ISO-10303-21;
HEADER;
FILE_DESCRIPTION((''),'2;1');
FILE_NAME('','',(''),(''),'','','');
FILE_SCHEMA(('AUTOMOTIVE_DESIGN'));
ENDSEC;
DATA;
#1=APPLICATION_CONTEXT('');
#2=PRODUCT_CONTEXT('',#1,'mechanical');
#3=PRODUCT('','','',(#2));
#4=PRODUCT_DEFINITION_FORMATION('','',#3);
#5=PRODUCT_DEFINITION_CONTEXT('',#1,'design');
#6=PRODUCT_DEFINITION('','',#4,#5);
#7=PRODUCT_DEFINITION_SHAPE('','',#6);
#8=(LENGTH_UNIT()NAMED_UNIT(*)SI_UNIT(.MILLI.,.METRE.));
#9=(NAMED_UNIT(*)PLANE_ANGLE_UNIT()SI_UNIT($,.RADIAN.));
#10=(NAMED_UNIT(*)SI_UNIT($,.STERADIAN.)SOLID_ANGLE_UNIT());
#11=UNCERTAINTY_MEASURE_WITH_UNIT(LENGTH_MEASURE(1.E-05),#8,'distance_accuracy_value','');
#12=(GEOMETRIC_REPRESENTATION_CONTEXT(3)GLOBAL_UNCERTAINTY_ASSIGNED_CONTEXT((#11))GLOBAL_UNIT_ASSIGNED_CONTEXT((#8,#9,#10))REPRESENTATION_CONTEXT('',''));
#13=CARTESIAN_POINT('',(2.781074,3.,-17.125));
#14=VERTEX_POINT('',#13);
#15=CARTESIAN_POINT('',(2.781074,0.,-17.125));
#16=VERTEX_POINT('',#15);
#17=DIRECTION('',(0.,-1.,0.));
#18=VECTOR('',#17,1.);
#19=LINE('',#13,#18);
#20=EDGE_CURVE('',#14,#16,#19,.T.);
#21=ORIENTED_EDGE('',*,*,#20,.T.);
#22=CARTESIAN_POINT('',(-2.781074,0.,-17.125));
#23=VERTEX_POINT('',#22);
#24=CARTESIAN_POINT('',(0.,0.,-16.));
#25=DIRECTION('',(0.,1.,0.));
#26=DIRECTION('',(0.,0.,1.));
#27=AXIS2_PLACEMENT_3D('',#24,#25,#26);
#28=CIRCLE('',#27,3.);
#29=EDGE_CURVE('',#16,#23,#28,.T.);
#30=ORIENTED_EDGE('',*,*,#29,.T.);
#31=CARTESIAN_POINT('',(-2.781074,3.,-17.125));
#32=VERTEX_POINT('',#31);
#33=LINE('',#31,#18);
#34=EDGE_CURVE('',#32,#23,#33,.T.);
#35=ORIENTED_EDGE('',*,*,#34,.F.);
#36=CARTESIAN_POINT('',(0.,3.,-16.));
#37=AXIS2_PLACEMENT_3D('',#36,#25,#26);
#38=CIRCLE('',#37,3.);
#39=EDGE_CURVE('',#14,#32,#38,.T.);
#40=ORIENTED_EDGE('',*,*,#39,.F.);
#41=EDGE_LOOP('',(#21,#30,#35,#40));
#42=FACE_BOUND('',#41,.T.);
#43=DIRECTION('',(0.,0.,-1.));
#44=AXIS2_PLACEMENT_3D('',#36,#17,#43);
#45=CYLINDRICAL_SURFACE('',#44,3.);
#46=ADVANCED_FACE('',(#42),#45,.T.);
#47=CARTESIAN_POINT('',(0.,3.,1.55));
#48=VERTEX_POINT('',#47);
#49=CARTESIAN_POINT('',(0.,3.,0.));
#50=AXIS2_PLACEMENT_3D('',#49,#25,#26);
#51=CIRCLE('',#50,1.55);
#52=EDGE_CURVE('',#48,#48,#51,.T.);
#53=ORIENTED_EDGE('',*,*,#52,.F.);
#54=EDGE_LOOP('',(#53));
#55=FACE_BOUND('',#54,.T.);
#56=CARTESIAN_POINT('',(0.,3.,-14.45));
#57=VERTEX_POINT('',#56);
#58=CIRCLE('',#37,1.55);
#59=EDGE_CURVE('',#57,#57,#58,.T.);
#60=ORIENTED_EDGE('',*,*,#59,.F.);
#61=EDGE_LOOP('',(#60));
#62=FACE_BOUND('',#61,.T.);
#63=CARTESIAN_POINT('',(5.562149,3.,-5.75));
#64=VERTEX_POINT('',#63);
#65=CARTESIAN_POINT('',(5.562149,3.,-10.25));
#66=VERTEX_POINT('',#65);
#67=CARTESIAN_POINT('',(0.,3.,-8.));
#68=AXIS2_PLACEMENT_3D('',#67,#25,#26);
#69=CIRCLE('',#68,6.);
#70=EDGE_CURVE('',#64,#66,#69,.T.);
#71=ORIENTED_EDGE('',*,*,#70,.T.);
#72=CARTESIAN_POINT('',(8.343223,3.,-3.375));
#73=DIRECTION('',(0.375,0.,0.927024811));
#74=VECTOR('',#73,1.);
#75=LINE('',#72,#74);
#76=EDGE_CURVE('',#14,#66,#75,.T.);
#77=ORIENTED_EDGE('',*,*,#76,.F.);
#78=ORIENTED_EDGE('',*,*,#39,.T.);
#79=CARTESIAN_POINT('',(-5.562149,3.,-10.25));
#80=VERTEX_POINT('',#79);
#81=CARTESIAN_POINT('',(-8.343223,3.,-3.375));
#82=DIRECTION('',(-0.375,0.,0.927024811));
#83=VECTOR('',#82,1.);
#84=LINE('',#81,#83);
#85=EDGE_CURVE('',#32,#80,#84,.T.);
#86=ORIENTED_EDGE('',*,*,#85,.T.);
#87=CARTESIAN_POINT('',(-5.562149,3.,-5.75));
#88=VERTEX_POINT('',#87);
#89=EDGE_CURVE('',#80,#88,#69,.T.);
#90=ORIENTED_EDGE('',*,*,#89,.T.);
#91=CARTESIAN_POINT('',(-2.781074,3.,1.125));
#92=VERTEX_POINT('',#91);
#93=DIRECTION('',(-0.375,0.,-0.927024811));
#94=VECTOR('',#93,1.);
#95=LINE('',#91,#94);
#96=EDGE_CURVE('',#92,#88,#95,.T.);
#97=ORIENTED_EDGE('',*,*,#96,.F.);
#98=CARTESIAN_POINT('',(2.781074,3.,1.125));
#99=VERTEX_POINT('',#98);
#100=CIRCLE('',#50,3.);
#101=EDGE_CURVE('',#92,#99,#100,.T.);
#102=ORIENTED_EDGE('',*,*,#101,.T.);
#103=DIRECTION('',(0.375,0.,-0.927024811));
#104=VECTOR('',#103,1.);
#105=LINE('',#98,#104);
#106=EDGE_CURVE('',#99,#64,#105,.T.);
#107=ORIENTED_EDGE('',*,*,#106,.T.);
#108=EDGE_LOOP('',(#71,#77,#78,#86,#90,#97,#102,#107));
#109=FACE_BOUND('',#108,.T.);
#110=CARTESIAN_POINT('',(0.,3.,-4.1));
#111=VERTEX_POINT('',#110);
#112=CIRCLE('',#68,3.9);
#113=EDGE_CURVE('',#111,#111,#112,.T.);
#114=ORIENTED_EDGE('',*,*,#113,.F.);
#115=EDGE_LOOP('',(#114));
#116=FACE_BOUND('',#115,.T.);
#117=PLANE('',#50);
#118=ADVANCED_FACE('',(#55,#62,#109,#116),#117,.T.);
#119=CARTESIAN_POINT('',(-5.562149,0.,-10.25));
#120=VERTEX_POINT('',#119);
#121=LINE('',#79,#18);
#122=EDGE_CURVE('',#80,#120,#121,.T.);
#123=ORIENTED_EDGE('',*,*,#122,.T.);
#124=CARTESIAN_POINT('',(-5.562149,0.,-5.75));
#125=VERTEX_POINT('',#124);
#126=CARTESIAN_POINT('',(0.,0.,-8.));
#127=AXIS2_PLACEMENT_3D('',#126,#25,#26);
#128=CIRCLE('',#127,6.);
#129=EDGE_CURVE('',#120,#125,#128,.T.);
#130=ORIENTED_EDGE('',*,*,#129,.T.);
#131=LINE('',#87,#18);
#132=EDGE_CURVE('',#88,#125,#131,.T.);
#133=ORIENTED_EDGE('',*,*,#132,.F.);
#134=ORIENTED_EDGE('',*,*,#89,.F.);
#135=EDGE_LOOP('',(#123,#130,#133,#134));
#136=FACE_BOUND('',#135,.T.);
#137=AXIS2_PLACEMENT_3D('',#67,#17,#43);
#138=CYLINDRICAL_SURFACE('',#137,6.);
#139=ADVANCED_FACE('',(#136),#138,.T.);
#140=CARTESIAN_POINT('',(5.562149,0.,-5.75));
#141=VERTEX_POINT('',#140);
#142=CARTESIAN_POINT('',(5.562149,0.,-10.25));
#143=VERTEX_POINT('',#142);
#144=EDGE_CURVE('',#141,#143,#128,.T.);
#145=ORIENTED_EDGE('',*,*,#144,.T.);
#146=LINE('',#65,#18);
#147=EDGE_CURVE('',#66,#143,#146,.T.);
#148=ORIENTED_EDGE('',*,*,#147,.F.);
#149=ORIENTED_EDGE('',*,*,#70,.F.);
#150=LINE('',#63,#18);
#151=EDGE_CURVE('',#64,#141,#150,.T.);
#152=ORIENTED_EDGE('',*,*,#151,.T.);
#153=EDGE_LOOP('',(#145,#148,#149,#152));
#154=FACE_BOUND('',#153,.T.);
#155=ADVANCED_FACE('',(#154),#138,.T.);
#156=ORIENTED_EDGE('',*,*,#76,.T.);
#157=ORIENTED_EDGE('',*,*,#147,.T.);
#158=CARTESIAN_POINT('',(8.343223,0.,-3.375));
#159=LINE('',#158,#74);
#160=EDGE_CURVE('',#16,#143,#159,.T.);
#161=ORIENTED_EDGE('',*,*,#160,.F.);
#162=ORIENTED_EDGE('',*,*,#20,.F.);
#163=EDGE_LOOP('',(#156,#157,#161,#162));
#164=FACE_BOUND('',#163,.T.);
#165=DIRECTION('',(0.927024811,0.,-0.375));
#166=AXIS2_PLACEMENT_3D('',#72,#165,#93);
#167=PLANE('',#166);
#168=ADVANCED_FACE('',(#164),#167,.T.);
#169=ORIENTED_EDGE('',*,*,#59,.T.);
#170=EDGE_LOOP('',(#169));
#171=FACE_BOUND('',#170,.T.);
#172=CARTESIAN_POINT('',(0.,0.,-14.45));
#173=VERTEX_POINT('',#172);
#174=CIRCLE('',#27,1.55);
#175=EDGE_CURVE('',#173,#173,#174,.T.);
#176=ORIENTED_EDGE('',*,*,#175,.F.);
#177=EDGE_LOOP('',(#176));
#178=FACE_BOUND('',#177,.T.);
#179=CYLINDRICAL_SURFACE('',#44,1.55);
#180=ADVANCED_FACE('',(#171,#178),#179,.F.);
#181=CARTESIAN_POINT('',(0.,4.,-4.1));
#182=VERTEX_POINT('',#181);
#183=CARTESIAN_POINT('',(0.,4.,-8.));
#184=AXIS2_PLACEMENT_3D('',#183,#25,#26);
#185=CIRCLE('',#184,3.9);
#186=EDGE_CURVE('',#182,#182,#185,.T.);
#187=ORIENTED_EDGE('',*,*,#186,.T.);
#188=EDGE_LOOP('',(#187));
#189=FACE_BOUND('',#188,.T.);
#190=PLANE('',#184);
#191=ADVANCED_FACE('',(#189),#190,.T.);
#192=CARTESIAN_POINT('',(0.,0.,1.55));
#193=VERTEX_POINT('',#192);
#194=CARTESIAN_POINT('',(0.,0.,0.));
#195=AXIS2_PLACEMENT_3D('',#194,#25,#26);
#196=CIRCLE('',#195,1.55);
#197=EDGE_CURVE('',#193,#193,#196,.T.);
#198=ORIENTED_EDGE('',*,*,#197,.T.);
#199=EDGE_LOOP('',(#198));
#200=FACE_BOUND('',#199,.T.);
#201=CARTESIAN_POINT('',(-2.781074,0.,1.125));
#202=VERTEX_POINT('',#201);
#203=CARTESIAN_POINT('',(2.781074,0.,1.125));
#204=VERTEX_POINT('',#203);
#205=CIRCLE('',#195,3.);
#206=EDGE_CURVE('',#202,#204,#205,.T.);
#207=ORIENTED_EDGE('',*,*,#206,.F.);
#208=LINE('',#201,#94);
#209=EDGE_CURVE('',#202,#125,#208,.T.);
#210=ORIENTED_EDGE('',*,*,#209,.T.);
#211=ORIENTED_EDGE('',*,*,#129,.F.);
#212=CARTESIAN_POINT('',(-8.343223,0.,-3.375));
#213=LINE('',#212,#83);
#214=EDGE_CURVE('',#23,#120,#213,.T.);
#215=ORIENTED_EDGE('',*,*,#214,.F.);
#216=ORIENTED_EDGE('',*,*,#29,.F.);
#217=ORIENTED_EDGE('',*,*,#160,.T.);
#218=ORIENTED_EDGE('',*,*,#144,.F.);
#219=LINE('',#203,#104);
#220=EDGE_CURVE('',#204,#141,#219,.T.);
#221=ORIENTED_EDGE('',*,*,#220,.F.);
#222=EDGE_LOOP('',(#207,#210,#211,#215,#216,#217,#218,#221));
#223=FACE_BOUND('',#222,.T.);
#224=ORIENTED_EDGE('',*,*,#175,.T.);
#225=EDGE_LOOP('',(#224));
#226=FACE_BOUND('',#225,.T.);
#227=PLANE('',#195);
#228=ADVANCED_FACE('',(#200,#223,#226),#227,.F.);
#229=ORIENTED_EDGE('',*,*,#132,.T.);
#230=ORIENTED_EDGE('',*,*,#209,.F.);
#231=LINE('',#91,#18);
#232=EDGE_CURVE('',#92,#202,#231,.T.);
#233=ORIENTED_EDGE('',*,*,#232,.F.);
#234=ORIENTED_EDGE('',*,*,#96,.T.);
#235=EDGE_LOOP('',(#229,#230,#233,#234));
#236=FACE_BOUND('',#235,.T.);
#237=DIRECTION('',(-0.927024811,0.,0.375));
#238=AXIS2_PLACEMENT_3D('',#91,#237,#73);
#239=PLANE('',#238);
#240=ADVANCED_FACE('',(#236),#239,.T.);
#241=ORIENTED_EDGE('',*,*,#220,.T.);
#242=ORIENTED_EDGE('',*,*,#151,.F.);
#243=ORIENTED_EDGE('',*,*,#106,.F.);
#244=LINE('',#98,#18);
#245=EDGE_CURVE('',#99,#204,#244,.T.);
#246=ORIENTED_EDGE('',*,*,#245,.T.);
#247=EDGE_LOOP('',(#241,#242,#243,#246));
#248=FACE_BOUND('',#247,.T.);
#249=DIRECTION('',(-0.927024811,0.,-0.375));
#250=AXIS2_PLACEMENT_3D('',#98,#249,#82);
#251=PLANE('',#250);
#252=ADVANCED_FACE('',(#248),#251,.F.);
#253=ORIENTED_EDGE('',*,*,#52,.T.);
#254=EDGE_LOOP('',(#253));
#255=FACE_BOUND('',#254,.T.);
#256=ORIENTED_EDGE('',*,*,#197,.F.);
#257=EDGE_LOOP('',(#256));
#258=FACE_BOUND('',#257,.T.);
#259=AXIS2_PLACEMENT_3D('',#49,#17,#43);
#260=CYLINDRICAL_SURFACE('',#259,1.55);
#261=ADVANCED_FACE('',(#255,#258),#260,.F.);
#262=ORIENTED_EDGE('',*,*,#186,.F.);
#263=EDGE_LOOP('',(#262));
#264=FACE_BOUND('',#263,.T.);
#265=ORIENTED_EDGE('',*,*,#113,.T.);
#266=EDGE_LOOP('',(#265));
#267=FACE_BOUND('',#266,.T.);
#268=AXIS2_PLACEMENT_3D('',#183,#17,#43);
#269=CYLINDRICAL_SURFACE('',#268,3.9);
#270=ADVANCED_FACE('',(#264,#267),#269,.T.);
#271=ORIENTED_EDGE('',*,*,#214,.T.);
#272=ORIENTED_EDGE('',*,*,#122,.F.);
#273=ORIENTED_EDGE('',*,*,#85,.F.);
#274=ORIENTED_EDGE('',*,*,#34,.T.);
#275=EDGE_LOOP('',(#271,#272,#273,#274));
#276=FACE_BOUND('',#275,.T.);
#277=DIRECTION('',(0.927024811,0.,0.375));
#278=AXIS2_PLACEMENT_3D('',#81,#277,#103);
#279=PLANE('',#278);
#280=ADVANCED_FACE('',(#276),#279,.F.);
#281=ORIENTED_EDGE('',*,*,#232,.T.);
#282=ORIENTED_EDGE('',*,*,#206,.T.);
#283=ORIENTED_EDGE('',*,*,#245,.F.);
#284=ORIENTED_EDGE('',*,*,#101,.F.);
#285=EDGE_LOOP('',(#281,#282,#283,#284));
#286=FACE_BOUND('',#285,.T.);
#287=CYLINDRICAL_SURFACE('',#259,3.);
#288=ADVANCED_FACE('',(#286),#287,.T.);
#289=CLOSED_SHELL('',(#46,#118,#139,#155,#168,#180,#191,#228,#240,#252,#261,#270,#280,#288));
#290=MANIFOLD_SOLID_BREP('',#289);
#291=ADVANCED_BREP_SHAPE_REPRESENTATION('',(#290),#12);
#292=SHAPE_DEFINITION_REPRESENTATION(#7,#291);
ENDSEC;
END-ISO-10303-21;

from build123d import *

# Parameters (mm, degrees)
CROQUIS2_R              = 1.55
SALIENTE_EXTRUIR1_DEPTH = 3
CROQUIS3_R              = 3.9
SALIENTE_EXTRUIR2_DEPTH = 1


with BuildPart() as part:
    # Croquis2 → Saliente-Extruir1 (new body)
    with BuildSketch(Plane(origin=(0, 0, 0), x_dir=(1, 0, 0), z_dir=(0, 1, 0))):
        with BuildLine():
            Line((2.781074433, 17.125), (5.562148865, 10.25))
            ThreePointArc((5.562148865, 10.25), (6, 8), (5.562148865, 5.75))
            Line((5.562148865, 5.75), (2.781074433, -1.125))
            ThreePointArc((2.781074433, -1.125), (0, -3), (-2.781074433, -1.125))
            Line((-2.781074433, -1.125), (-5.562148865, 5.75))
            ThreePointArc((-5.562148865, 5.75), (-6, 8), (-5.562148865, 10.25))
            Line((-5.562148865, 10.25), (-2.781074433, 17.125))
            ThreePointArc((-2.781074433, 17.125), (0, 19), (2.781074433, 17.125))
        make_face()
        with Locations((0, 16)):
            Circle(CROQUIS2_R, mode=Mode.SUBTRACT)
        Circle(CROQUIS2_R, mode=Mode.SUBTRACT)
    extrude(amount=SALIENTE_EXTRUIR1_DEPTH)

    # Croquis3 → Saliente-Extruir2 (add)
    with BuildSketch(Plane(origin=(0, 3, 0), x_dir=(1, 0, 0), z_dir=(0, 1, 0))):
        with Locations((0, 8)):
            Circle(CROQUIS3_R)
    extrude(amount=SALIENTE_EXTRUIR2_DEPTH)


solid = part.part
